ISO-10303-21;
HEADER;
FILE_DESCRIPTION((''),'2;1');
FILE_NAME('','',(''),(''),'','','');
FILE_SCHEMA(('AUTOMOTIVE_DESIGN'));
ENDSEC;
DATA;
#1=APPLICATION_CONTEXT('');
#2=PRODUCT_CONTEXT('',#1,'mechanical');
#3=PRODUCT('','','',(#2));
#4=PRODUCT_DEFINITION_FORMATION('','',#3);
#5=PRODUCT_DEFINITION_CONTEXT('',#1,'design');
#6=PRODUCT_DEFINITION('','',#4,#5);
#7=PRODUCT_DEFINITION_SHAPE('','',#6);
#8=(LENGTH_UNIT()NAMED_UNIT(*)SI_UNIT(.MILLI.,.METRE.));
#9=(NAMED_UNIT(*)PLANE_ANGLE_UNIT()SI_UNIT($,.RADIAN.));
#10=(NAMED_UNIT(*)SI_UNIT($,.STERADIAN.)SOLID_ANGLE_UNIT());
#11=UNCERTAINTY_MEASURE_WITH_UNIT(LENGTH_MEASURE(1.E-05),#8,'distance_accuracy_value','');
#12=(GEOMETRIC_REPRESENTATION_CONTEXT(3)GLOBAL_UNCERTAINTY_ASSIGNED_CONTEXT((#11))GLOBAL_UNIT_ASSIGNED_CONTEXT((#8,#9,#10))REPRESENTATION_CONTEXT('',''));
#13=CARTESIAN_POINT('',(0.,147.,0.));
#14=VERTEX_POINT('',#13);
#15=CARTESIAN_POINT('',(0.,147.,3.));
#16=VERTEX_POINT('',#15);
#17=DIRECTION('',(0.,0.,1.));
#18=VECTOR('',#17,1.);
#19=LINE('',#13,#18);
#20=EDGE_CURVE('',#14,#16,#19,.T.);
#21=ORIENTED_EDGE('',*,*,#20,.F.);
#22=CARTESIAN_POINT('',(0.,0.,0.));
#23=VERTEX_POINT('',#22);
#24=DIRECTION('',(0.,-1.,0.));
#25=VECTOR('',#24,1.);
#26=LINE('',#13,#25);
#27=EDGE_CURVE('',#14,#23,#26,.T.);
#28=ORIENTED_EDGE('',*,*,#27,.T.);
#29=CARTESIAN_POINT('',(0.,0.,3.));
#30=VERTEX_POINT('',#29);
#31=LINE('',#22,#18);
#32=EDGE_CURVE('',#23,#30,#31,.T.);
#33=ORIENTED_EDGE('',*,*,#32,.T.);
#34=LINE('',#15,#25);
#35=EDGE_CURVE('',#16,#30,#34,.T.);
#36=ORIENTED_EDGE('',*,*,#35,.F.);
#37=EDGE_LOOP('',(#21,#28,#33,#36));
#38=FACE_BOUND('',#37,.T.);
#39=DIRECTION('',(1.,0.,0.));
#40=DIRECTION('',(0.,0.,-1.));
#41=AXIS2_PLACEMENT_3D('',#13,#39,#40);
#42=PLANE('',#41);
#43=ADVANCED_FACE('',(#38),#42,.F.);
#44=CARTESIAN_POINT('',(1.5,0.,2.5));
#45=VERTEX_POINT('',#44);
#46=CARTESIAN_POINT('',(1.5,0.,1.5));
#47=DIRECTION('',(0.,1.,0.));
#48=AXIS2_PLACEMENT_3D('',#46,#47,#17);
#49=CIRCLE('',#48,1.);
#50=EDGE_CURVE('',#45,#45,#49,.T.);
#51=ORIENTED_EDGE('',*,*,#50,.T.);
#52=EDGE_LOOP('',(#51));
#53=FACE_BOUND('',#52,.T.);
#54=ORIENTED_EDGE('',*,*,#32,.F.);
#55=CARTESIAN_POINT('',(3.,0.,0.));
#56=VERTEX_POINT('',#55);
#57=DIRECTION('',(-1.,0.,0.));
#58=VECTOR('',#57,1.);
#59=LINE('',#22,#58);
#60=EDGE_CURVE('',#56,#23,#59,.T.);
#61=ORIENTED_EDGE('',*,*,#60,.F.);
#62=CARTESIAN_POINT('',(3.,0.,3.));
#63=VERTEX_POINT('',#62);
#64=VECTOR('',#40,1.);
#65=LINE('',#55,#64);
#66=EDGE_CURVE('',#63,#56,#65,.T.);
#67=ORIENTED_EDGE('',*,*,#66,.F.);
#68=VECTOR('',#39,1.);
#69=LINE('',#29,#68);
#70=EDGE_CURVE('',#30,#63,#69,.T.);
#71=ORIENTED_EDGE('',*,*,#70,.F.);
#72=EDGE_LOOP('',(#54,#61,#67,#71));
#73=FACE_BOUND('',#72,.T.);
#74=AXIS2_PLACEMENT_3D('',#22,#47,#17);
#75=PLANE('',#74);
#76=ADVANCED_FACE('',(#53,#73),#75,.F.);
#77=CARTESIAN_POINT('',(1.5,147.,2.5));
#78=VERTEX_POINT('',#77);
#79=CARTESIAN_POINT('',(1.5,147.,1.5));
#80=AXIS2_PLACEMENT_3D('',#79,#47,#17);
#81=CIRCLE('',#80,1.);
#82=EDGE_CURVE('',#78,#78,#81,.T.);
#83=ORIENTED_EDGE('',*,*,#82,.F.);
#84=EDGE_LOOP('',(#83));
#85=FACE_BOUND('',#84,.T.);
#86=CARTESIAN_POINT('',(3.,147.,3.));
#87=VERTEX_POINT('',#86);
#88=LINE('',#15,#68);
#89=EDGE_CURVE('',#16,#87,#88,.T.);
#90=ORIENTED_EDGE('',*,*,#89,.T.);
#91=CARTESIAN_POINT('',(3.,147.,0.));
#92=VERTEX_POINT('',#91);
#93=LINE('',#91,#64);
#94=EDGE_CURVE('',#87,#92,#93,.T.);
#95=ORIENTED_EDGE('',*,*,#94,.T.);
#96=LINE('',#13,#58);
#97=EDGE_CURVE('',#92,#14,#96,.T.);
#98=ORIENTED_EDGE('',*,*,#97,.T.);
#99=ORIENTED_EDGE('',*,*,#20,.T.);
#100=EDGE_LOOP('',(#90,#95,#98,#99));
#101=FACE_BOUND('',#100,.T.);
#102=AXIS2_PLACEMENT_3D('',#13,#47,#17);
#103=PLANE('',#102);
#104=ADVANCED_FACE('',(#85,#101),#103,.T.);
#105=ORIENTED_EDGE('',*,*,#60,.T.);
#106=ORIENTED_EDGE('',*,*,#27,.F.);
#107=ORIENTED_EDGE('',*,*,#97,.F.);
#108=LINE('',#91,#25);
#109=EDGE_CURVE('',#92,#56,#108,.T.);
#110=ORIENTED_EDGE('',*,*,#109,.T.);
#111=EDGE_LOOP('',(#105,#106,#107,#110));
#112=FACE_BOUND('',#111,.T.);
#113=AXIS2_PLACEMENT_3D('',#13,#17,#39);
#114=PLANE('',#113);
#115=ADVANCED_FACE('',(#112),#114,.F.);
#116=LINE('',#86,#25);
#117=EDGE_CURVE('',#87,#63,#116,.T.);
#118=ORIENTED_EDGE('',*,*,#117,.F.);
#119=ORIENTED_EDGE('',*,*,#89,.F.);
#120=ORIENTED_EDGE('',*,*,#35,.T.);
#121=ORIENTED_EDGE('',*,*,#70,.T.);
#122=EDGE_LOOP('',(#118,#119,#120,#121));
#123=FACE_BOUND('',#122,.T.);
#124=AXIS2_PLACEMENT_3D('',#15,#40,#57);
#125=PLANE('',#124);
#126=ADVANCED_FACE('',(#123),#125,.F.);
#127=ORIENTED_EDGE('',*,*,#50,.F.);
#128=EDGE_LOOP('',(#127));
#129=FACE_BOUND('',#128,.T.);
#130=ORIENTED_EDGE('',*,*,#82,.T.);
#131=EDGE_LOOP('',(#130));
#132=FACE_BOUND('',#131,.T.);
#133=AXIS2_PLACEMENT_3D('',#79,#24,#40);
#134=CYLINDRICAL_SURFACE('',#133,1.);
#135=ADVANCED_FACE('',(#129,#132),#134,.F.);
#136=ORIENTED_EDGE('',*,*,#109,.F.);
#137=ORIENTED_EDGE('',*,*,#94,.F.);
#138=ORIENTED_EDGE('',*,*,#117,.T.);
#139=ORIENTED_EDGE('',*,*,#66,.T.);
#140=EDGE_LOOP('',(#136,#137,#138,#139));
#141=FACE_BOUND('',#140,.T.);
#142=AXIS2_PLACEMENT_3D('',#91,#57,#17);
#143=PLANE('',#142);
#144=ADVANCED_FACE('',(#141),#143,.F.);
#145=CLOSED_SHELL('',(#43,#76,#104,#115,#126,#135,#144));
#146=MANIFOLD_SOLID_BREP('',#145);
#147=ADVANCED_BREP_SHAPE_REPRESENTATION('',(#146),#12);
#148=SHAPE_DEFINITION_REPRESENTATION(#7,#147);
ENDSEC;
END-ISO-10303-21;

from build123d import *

# Parameters (mm, degrees)
SKETCH_1_W      = 3
SKETCH_1_H      = 3
SKETCH_1_R      = 1
EXTRUDE_1_DEPTH = 147


with BuildPart() as part:
    # 草图1 → 凸台-拉伸1 (new body)
    with BuildSketch(Plane(origin=(0, 0, 0), x_dir=(1, 0, 0), z_dir=(0, 1, 0))):
        with Locations((1.5, -1.5)):
            Rectangle(SKETCH_1_W, SKETCH_1_H)
        with Locations(Location((1.5, -1.5, 0), (0, 0, 270))):
            Circle(SKETCH_1_R, mode=Mode.SUBTRACT)
    extrude(amount=EXTRUDE_1_DEPTH)


solid = part.part
